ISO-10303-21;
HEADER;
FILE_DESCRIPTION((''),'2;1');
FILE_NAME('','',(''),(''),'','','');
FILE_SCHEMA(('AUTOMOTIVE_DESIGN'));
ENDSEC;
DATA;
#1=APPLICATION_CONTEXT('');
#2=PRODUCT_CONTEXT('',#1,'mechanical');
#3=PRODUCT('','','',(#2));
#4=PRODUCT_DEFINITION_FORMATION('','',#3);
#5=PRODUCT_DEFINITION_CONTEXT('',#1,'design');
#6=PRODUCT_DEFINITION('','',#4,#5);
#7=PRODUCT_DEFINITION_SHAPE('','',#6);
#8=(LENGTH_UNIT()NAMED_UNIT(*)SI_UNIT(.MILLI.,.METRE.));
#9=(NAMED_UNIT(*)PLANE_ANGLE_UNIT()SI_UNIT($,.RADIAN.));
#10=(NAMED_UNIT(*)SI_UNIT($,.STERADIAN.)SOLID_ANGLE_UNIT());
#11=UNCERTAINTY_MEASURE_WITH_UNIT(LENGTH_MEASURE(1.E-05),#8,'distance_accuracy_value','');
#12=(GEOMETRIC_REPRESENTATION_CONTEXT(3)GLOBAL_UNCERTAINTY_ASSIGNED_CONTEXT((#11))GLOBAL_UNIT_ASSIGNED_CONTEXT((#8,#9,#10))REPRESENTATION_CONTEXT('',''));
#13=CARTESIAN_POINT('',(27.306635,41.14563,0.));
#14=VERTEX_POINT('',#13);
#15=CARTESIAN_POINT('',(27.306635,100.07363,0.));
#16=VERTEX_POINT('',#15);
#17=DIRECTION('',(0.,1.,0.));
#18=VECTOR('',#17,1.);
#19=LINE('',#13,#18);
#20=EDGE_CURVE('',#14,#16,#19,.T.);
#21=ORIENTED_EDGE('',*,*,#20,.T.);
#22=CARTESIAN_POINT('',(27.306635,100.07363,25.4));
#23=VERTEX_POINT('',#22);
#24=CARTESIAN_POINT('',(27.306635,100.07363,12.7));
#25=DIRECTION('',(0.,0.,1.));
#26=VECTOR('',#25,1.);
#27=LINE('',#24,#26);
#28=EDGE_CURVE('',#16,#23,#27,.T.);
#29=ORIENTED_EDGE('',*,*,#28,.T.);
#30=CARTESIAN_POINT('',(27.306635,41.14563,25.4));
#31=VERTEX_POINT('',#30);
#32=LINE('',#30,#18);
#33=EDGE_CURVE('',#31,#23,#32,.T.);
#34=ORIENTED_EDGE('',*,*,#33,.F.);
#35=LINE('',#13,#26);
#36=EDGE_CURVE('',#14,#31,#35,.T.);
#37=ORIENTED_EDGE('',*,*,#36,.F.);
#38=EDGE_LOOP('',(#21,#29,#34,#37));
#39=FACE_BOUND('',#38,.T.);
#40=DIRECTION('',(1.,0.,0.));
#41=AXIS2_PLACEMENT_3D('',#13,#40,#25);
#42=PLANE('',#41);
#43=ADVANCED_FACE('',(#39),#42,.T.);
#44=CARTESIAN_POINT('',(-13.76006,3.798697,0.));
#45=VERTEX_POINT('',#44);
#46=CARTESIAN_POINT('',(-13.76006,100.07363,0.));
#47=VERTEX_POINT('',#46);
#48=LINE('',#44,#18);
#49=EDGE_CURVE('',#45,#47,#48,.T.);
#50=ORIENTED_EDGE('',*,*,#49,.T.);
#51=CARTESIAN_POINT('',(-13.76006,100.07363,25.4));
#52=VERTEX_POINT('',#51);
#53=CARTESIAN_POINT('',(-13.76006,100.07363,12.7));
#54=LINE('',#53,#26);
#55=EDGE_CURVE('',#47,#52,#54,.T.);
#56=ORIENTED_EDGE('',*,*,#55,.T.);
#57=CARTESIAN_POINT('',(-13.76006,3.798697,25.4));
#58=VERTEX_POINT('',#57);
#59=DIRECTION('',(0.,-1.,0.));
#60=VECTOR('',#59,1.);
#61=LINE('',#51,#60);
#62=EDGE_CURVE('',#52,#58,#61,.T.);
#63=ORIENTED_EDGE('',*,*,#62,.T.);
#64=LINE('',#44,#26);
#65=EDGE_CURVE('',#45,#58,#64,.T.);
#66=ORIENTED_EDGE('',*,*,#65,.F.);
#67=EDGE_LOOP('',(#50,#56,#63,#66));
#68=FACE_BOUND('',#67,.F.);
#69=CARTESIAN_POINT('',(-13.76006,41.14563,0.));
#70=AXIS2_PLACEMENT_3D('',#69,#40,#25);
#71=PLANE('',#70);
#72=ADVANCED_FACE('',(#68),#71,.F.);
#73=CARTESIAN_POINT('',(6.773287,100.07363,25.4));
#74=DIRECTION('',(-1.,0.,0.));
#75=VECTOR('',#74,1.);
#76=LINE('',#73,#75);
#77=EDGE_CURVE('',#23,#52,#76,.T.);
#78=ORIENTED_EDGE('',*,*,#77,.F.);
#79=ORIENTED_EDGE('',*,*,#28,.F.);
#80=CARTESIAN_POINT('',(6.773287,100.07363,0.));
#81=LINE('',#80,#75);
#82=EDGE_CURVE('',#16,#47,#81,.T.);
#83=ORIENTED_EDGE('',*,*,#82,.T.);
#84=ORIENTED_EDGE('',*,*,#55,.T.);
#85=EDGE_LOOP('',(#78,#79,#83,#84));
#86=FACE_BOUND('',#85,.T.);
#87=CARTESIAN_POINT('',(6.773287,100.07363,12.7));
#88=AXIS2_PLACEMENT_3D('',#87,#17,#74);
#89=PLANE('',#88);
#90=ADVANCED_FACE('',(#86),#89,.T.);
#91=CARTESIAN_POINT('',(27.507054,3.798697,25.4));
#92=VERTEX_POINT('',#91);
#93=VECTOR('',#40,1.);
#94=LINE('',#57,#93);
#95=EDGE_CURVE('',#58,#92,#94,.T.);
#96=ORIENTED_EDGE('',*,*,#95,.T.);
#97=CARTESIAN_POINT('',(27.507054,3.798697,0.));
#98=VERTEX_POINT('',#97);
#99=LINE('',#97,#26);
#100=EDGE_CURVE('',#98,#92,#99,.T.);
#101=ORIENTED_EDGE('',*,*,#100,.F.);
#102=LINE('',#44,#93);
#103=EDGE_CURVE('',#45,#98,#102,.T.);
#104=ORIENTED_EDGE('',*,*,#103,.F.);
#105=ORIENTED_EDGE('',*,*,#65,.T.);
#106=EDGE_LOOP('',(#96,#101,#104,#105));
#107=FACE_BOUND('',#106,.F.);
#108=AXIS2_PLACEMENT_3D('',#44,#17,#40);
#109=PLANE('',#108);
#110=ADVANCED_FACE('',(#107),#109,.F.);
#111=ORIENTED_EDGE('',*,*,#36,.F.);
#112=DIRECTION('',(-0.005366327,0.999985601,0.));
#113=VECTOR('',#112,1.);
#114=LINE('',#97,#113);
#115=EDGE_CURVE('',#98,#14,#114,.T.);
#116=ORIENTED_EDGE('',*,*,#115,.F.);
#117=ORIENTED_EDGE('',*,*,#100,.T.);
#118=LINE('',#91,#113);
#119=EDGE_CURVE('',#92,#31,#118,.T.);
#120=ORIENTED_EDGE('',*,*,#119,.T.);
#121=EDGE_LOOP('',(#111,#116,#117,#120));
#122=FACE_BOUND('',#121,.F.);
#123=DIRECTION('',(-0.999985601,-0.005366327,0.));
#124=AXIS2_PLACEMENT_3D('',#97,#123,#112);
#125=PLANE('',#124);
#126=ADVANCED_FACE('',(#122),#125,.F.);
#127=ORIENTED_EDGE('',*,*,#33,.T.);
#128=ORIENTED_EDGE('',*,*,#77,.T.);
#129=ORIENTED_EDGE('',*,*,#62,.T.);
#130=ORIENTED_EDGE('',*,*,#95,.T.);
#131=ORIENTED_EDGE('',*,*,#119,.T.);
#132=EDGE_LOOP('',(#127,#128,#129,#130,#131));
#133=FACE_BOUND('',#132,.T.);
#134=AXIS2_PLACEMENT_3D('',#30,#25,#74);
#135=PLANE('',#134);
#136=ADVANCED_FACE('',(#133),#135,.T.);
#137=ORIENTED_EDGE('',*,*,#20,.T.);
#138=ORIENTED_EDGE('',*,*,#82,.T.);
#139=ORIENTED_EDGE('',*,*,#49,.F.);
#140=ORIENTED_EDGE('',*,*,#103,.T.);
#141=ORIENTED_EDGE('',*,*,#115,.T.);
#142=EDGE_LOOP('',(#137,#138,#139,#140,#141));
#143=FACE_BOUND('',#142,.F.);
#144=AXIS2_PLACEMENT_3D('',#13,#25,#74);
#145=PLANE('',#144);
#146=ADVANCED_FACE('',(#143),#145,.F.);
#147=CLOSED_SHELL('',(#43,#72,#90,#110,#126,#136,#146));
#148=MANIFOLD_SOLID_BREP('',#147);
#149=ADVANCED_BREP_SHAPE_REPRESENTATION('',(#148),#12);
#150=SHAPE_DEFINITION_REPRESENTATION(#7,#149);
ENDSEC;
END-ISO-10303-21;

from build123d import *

# Parameters (mm, degrees)
F1_DEPTH = 25.4
F2_W     = 41.0666950047
F2_H     = 25.4
F3_DEPTH = 58.928


with BuildPart() as f1:
    # F0 (on Top) → F1 (new body)
    with BuildSketch(Plane.XY):
        Polygon((27.5070536882, 3.7986966781), (27.3066349328, 41.1456301808), (-13.7600600719, 41.1456301808), (-13.7600600719, 3.7986966781), align=None)
    extrude(amount=F1_DEPTH)

    # F2 (on face) → F3 (join)
    with BuildSketch(Plane(origin=(0, 41.1456301808, 0), x_dir=(-1, 0, 0), z_dir=(0, 1, 0))):
        with Locations((-6.7732874304, 12.7)):
            Rectangle(F2_W, F2_H)
    extrude(amount=F3_DEPTH)


solid = f1.part
